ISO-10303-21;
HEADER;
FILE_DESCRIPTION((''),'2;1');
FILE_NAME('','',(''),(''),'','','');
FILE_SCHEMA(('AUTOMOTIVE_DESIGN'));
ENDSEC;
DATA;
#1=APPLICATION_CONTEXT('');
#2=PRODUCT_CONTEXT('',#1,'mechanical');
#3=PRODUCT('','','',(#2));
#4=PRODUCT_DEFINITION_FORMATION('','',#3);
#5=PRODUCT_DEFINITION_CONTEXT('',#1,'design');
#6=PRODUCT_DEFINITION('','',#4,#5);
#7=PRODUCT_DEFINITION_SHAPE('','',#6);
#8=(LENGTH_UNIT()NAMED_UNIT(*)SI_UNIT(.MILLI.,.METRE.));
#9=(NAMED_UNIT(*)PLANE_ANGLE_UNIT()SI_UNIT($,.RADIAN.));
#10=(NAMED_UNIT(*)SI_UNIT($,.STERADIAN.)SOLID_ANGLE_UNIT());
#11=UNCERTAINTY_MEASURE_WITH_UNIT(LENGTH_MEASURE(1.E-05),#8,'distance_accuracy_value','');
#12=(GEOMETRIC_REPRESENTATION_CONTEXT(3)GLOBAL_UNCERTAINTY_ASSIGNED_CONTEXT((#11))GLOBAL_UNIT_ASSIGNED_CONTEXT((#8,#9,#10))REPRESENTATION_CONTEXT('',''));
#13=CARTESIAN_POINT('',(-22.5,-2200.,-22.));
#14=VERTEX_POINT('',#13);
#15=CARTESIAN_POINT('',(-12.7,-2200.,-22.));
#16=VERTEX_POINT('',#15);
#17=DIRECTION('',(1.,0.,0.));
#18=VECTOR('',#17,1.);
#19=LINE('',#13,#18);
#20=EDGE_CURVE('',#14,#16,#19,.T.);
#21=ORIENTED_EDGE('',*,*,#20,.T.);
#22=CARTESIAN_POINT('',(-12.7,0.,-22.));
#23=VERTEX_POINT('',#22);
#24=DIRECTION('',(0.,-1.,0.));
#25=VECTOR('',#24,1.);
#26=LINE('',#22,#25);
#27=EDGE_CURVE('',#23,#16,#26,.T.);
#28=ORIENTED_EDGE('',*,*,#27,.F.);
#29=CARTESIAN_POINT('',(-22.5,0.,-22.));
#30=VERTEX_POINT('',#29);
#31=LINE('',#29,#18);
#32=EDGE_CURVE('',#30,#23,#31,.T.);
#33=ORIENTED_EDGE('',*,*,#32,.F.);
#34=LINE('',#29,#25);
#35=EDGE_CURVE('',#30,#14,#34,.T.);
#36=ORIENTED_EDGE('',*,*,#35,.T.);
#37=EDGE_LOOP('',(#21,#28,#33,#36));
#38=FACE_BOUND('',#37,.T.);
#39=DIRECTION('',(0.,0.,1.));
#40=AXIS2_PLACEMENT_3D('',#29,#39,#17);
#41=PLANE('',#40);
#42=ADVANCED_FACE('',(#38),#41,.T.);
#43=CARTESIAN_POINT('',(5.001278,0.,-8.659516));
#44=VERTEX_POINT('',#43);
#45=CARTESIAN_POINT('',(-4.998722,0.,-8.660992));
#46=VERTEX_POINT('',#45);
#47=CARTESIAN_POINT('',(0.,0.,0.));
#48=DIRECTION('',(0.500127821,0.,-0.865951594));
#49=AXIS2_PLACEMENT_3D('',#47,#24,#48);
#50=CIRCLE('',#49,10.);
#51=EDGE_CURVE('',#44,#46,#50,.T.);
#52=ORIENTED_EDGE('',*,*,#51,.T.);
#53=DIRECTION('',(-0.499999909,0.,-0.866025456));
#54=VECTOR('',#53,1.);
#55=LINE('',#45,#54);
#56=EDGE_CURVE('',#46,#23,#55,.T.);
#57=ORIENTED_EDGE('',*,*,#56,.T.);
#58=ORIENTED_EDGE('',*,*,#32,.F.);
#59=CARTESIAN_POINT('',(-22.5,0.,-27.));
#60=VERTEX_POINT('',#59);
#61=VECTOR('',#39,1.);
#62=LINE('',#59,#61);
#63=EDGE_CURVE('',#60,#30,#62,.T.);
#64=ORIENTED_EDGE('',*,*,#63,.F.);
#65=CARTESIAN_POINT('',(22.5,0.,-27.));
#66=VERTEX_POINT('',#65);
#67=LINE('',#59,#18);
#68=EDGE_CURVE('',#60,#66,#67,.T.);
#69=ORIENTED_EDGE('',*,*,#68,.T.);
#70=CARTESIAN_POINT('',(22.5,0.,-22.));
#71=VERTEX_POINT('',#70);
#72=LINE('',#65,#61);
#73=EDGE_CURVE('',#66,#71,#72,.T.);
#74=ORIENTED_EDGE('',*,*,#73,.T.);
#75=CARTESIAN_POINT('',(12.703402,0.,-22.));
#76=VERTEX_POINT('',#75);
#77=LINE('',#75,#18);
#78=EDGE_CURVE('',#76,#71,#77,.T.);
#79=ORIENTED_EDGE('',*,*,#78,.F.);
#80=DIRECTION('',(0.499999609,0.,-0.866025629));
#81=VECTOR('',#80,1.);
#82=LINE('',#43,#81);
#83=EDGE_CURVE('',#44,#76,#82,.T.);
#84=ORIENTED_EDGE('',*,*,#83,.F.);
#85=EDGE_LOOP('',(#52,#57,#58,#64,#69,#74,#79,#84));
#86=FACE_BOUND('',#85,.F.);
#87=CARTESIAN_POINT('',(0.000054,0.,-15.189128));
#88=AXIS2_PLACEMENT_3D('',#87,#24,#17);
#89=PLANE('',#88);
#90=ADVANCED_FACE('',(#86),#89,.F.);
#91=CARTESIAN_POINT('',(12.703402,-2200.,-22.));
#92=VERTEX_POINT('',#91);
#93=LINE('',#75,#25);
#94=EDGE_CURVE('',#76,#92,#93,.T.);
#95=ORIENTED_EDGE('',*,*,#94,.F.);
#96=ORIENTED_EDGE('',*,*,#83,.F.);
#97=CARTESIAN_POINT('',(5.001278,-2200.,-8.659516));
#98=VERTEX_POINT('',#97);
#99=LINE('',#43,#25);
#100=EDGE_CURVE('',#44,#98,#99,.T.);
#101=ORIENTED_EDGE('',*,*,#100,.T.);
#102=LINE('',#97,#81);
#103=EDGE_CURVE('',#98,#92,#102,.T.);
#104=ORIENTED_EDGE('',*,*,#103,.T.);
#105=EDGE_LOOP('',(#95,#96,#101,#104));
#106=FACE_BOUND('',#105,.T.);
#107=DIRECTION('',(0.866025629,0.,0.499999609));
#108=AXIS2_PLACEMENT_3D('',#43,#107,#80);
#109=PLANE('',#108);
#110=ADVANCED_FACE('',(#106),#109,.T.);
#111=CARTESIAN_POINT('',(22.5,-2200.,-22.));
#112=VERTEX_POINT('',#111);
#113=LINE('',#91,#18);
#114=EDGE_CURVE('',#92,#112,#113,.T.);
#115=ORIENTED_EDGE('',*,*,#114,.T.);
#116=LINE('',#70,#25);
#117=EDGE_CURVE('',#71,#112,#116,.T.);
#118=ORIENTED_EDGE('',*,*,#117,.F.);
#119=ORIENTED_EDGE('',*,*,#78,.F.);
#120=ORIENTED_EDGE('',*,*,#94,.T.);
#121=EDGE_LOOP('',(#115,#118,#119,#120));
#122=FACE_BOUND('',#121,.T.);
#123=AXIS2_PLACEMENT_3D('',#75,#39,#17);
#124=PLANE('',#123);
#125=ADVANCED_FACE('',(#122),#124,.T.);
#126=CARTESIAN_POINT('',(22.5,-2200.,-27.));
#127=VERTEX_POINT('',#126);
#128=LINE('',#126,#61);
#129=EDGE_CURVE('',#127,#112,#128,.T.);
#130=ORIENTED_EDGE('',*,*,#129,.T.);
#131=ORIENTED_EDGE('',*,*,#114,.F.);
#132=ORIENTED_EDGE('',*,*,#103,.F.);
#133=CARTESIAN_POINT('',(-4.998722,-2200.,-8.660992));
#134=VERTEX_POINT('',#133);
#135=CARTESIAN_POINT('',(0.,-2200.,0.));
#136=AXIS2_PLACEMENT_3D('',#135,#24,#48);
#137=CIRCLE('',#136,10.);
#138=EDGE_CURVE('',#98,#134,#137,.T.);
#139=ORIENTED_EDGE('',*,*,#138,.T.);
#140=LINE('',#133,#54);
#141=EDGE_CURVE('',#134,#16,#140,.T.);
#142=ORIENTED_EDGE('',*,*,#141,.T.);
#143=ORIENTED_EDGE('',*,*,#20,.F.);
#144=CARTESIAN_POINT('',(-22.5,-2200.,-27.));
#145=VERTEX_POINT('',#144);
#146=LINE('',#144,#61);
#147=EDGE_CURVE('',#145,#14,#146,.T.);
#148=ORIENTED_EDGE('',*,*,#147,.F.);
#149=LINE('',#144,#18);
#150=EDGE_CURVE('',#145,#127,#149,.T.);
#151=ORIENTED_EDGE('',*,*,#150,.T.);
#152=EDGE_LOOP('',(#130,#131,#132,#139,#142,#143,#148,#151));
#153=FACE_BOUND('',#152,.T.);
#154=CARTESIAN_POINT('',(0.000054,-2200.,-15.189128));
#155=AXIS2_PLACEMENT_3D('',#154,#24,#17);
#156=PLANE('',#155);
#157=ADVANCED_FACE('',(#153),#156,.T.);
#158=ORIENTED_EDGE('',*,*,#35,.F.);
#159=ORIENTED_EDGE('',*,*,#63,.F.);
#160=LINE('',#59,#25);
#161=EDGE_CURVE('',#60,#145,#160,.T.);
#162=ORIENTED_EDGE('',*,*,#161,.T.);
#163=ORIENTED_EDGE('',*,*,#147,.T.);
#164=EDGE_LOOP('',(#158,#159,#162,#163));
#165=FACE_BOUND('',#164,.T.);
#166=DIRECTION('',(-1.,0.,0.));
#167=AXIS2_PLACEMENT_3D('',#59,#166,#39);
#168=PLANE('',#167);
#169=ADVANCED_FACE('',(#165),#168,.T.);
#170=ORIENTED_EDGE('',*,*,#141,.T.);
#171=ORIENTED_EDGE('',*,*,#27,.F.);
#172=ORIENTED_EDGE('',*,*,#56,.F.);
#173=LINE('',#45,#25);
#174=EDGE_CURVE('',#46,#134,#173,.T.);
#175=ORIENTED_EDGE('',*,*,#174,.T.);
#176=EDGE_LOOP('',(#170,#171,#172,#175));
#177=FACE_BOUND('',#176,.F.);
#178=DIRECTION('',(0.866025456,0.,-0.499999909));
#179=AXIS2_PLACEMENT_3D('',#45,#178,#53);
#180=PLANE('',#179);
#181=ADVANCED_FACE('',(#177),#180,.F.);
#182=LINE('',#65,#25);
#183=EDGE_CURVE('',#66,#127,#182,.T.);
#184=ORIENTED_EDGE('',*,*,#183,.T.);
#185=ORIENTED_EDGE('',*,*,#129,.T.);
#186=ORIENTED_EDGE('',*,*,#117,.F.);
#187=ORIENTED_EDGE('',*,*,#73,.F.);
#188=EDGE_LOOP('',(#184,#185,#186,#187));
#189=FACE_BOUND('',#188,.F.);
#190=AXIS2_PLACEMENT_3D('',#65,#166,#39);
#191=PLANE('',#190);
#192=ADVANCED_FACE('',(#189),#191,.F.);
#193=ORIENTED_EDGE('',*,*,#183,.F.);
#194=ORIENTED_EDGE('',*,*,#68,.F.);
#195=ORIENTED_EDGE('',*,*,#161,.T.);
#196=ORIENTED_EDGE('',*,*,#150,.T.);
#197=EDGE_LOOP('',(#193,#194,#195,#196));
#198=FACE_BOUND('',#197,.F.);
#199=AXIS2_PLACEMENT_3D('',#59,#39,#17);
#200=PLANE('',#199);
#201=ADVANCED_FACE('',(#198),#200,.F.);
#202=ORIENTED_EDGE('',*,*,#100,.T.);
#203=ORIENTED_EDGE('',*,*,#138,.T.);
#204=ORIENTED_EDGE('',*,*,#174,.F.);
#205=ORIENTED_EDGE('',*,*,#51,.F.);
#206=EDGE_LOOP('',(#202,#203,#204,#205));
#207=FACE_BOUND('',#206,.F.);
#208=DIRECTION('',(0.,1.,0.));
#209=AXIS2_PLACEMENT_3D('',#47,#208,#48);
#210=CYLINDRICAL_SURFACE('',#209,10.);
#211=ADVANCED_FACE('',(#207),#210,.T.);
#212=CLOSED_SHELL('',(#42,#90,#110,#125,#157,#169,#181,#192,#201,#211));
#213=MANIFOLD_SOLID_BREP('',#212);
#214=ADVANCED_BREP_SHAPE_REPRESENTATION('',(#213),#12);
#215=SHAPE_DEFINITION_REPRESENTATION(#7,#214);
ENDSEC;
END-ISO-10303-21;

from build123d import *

# Parameters (mm, degrees)
PAD_DEPTH = 2200


with BuildPart() as part:
    # Sketch → Pad (new body)
    with BuildSketch(Plane.XZ):
        with BuildLine():
            ThreePointArc((5.001278, -8.659516), (-0.001476, 10), (-4.998722, -8.660992))
            Line((-4.998722, -8.660992), (-12.7, -22))
            Line((-22.5, -22), (-12.7, -22))
            Line((-22.5, -27), (-22.5, -22))
            Line((-22.5, -27), (22.5, -27))
            Line((22.5, -27), (22.5, -22))
            Line((12.703402, -22), (22.5, -22))
            Line((5.001278, -8.659516), (12.703402, -22))
        make_face()
    extrude(amount=PAD_DEPTH)


solid = part.part
